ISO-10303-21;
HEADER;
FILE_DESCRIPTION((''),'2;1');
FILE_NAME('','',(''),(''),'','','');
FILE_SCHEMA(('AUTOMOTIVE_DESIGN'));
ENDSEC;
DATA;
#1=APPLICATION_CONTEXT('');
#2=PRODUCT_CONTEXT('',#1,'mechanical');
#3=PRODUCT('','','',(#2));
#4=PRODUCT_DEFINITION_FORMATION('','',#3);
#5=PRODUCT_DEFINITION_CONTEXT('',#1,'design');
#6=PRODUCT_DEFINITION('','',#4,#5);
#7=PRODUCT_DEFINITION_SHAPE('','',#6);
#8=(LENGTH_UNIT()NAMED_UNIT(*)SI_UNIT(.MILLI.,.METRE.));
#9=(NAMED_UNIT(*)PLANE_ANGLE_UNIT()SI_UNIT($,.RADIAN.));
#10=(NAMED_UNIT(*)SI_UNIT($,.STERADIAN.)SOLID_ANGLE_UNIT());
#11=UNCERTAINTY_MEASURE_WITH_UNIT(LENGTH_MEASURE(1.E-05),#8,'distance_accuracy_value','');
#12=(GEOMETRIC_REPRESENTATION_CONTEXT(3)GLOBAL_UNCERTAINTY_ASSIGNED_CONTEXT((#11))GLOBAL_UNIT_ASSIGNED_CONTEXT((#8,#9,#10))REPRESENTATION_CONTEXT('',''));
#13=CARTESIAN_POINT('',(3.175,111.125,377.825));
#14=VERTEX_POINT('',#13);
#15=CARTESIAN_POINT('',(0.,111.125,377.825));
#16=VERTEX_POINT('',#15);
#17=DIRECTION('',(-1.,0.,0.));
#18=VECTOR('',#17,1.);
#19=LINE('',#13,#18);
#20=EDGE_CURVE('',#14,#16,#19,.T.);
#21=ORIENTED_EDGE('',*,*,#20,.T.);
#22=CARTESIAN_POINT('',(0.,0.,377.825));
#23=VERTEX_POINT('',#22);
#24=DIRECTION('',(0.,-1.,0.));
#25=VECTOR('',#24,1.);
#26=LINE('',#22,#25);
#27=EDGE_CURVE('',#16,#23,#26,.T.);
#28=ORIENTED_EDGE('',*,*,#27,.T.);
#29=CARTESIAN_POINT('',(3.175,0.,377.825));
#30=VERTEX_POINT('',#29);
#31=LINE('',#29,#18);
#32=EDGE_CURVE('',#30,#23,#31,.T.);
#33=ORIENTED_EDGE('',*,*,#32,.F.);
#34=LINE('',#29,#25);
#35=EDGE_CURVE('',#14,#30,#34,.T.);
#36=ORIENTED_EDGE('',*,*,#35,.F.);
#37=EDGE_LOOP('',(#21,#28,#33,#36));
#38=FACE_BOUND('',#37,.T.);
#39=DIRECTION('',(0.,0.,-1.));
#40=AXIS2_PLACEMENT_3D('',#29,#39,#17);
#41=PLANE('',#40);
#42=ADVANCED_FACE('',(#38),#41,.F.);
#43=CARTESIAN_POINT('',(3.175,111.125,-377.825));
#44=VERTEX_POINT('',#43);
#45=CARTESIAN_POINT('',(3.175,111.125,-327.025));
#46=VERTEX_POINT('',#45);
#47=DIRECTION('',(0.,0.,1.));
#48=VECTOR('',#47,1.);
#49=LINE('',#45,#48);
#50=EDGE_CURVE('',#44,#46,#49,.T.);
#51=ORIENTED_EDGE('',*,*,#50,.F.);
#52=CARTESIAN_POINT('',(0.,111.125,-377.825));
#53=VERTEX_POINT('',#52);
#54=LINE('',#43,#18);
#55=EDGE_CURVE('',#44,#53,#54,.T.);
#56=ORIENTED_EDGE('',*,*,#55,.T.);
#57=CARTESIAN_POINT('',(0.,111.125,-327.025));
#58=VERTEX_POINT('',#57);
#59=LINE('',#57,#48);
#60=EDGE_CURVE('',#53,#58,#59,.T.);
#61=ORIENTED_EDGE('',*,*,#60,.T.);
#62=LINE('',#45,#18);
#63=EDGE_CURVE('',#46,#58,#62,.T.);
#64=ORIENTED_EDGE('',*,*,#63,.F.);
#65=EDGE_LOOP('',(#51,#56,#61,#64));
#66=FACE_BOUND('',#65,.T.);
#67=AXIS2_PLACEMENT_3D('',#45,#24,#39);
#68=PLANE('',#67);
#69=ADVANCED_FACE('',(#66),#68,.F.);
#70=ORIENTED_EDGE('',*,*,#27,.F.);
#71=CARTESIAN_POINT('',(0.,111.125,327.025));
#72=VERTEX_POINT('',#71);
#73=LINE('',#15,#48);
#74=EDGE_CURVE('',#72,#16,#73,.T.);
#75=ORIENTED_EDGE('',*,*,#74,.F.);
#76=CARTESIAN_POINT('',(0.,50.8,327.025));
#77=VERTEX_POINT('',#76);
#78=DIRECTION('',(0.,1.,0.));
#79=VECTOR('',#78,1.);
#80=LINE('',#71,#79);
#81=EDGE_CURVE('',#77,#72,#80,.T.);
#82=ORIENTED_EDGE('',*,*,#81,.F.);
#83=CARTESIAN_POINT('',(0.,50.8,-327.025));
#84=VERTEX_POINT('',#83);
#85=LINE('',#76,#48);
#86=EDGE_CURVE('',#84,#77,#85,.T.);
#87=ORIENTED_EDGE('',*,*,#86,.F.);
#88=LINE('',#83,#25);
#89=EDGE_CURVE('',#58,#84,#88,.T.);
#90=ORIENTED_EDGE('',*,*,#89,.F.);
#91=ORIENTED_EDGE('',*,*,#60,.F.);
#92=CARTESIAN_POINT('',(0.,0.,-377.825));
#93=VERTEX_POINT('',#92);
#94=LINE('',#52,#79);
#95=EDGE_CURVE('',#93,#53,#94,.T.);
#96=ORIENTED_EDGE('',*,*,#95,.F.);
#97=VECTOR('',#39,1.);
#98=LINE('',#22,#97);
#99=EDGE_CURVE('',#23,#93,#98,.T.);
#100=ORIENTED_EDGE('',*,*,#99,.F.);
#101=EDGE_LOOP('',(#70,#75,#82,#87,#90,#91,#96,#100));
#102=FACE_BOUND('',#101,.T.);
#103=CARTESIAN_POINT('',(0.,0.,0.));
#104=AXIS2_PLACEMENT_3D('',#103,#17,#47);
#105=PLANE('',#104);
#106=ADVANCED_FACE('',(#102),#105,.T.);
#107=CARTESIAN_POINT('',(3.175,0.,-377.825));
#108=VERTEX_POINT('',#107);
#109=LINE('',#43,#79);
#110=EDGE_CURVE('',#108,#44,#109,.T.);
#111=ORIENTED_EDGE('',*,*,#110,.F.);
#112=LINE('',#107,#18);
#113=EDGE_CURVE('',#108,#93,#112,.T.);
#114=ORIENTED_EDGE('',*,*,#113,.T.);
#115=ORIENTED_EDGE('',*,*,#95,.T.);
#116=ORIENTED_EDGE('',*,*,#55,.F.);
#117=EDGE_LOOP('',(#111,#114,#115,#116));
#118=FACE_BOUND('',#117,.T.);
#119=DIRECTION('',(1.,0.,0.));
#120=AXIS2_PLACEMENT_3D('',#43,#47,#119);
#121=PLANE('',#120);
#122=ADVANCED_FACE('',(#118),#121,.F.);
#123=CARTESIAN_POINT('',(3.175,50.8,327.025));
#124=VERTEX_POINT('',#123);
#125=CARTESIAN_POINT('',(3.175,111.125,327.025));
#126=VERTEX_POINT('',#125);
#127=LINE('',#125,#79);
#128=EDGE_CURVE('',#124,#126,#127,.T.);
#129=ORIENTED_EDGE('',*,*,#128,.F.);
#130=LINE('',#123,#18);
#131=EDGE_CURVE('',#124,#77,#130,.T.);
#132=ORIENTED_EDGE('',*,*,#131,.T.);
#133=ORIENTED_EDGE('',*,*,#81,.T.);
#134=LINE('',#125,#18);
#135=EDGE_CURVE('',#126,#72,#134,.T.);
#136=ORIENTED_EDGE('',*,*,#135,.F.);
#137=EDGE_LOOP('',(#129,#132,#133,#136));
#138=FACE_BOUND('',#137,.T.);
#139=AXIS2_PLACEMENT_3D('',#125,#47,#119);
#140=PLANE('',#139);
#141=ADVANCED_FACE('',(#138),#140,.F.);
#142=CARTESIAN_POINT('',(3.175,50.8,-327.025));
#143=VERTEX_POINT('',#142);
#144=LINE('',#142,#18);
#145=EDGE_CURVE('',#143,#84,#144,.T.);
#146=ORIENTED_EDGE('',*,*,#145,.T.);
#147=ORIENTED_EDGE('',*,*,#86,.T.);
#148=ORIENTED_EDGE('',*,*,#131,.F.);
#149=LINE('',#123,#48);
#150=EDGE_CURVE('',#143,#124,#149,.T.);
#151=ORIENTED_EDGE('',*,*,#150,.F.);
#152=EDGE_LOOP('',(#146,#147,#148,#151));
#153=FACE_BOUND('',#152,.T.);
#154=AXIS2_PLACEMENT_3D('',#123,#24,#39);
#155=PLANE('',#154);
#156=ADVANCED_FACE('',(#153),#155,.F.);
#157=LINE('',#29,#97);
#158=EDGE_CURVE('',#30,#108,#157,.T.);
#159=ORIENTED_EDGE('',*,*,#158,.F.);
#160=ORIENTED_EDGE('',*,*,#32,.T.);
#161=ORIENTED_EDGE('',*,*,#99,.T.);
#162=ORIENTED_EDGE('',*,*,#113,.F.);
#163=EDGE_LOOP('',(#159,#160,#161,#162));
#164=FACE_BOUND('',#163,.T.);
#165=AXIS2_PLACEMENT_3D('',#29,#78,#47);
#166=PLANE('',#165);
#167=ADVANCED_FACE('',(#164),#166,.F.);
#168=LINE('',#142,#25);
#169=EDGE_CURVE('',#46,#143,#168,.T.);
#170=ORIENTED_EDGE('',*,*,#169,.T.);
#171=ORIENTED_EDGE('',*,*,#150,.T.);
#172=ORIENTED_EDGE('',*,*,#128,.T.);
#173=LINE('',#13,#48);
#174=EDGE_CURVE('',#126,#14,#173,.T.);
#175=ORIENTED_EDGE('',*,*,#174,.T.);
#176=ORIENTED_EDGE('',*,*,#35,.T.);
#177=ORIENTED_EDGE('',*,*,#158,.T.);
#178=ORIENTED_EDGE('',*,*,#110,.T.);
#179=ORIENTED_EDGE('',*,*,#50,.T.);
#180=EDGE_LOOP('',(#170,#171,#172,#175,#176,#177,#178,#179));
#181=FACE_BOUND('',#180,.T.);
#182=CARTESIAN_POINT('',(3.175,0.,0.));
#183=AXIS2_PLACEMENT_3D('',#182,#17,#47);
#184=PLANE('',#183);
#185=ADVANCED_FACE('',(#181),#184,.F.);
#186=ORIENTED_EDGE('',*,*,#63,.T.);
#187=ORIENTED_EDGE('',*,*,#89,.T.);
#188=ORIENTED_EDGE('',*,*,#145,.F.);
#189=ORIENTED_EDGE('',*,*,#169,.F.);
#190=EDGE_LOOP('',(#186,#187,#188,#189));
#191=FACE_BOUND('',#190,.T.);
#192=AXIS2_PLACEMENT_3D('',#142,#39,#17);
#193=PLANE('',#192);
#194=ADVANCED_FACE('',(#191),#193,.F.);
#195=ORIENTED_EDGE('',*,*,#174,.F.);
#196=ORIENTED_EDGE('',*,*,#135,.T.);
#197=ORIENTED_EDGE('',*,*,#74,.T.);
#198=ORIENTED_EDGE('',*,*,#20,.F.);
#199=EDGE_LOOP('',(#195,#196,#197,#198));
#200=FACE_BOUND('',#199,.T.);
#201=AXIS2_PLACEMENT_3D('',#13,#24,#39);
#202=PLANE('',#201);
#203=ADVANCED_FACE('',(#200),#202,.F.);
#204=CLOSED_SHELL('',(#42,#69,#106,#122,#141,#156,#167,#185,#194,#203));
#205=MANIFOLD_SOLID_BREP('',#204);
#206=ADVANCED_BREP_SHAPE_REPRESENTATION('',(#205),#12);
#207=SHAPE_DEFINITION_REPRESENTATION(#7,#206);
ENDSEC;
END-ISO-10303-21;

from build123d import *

# Parameters (mm, degrees)
BOSS_EXTRUDE1_DEPTH = 3.175


with BuildPart() as part:
    # Sketch1 → Boss-Extrude1 (new body)
    with BuildSketch(Plane(origin=(0, 0, 0), x_dir=(0, 0, -1), z_dir=(1, 0, 0))):
        Polygon((-377.825, 0), (377.825, 0), (377.825, 111.125), (327.025, 111.125), (327.025, 50.8), (-327.025, 50.8), (-327.025, 111.125), (-377.825, 111.125), align=None)
    extrude(amount=BOSS_EXTRUDE1_DEPTH)


solid = part.part
